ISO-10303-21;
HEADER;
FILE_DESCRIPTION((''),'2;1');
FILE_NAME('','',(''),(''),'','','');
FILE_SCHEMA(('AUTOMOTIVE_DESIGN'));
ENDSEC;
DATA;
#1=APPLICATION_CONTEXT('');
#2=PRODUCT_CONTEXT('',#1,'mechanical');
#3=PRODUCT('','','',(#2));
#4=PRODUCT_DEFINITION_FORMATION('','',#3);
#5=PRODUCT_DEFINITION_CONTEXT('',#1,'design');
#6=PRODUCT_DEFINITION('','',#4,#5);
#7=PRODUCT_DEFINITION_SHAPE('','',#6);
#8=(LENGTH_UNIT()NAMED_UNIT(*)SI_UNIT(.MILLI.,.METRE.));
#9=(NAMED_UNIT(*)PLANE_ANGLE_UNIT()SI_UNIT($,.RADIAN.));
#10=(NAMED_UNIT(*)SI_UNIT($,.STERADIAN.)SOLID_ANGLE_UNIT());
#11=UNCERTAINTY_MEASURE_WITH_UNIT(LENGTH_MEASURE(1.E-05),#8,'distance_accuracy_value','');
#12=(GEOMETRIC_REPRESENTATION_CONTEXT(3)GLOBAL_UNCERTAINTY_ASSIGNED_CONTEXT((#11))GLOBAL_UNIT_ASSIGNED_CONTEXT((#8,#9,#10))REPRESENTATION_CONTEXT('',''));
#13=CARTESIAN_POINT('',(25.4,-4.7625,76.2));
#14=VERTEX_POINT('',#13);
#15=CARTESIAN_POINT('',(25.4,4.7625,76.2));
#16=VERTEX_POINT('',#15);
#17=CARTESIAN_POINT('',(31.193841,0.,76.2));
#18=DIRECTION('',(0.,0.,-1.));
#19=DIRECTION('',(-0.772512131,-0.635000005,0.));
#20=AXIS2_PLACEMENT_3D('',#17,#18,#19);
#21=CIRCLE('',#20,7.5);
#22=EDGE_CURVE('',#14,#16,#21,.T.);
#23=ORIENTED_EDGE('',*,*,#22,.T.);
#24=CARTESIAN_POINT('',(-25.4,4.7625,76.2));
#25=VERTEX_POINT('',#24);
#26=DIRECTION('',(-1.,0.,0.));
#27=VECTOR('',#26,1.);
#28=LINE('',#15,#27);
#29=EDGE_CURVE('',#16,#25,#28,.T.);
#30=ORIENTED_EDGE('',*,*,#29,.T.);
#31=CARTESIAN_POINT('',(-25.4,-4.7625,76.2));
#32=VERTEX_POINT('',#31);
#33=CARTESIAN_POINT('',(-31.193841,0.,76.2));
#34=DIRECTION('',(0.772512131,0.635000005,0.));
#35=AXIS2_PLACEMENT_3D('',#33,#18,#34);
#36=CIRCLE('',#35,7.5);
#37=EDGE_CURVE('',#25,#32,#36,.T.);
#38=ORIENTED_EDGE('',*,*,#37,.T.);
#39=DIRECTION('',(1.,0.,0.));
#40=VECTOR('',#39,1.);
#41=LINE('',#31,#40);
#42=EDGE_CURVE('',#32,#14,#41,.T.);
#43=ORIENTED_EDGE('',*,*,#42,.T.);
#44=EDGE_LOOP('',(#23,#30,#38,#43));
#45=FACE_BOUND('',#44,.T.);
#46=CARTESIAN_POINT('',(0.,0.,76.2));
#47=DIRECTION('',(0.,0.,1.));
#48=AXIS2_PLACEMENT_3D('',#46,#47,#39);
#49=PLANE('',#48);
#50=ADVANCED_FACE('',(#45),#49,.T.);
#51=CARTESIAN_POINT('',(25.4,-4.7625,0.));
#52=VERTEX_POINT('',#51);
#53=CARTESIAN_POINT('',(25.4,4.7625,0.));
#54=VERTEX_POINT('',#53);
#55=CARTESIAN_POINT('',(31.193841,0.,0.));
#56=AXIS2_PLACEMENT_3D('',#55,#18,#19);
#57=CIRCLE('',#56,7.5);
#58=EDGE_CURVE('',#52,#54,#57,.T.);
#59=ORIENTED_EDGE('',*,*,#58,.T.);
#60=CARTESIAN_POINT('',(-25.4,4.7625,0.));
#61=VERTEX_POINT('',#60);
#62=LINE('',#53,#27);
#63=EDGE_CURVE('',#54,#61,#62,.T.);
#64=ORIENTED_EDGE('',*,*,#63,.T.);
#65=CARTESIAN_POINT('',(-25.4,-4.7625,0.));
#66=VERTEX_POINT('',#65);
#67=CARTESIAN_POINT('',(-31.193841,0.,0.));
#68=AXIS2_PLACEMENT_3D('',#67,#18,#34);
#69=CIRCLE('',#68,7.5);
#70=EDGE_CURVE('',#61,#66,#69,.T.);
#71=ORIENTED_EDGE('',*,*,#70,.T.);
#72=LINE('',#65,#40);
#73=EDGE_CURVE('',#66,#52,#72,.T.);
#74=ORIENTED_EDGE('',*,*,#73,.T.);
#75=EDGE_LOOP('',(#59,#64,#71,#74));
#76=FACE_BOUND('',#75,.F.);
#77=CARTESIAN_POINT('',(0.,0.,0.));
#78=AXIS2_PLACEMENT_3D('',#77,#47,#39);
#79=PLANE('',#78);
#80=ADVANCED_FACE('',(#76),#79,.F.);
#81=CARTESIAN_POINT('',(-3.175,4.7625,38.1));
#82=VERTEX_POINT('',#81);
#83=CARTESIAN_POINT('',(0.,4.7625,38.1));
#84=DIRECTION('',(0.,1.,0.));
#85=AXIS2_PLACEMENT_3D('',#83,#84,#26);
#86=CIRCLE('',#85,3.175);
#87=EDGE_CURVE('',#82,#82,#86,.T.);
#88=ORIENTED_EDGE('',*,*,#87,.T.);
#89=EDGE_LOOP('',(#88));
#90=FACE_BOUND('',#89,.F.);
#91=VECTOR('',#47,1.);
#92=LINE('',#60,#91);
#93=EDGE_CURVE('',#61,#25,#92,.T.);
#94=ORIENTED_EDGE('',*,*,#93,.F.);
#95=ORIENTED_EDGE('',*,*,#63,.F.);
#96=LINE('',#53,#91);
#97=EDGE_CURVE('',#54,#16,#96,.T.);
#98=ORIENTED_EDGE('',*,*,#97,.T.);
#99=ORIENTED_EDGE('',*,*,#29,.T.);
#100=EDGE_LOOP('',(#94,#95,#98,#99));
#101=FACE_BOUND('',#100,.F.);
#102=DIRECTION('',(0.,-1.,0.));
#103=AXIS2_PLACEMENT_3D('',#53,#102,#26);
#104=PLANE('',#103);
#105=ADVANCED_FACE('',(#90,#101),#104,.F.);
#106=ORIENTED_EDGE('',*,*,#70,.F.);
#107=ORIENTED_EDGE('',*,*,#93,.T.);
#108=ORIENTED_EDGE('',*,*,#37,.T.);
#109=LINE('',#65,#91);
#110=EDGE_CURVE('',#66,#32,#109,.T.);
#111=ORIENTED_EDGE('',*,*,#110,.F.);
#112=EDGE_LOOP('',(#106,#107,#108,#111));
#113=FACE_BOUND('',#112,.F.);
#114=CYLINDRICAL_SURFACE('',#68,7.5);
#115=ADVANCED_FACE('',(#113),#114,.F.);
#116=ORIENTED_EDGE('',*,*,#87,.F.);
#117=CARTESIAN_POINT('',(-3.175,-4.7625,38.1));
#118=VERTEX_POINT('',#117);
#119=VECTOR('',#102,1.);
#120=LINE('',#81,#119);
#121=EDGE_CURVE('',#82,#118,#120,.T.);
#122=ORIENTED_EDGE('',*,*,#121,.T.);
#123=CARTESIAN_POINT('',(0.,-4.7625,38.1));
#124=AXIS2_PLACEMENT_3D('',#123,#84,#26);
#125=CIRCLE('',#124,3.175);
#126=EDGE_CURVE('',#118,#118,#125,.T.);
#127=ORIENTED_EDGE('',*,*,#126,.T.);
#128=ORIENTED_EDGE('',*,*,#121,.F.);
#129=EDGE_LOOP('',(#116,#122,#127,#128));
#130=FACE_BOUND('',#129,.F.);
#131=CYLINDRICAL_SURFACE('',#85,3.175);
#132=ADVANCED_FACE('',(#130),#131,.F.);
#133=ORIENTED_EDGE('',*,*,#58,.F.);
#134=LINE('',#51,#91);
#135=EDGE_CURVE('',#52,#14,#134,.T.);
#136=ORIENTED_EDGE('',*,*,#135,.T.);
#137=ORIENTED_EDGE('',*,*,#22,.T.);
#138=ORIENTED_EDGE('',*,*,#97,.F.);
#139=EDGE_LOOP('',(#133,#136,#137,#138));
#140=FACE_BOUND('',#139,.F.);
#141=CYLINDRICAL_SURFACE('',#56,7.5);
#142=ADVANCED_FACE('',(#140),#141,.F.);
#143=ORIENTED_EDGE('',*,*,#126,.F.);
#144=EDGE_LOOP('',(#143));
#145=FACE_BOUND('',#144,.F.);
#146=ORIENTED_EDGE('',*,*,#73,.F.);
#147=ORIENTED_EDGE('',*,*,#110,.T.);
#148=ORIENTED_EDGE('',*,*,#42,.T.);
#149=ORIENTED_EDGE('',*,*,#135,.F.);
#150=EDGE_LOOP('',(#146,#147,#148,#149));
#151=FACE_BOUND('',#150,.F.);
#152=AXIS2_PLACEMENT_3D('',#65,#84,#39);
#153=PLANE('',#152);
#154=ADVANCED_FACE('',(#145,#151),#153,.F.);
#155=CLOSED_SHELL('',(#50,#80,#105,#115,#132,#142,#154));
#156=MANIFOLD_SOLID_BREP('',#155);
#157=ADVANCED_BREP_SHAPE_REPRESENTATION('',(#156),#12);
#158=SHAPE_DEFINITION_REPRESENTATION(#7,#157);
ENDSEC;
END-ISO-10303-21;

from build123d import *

# Parameters (mm, degrees)
F1_DEPTH = 76.2
F2_R     = 3.175
F3_DEPTH = 9.525


with BuildPart() as f1:
    # F0 (on Top) → F1 (new body)
    with BuildSketch(Plane.XY):
        with BuildLine():
            Line((-25.4, -4.7625), (25.4, -4.7625))
            ThreePointArc((25.4, -4.7625), (23.693841, 0), (25.4, 4.7625))
            Line((25.4, 4.7625), (-25.4, 4.7625))
            ThreePointArc((-25.4, 4.7625), (-23.693841, 0), (-25.4, -4.7625))
        make_face()
    extrude(amount=F1_DEPTH)

    # F2 (on face) → F3 (cut, through all)
    with BuildSketch(Plane(origin=(0, 4.7625, 0), x_dir=(-1, 0, 0), z_dir=(0, 1, 0))):
        with Locations((0, 38.1)):
            Circle(F2_R)
    extrude(amount=-F3_DEPTH, mode=Mode.SUBTRACT)


solid = f1.part
